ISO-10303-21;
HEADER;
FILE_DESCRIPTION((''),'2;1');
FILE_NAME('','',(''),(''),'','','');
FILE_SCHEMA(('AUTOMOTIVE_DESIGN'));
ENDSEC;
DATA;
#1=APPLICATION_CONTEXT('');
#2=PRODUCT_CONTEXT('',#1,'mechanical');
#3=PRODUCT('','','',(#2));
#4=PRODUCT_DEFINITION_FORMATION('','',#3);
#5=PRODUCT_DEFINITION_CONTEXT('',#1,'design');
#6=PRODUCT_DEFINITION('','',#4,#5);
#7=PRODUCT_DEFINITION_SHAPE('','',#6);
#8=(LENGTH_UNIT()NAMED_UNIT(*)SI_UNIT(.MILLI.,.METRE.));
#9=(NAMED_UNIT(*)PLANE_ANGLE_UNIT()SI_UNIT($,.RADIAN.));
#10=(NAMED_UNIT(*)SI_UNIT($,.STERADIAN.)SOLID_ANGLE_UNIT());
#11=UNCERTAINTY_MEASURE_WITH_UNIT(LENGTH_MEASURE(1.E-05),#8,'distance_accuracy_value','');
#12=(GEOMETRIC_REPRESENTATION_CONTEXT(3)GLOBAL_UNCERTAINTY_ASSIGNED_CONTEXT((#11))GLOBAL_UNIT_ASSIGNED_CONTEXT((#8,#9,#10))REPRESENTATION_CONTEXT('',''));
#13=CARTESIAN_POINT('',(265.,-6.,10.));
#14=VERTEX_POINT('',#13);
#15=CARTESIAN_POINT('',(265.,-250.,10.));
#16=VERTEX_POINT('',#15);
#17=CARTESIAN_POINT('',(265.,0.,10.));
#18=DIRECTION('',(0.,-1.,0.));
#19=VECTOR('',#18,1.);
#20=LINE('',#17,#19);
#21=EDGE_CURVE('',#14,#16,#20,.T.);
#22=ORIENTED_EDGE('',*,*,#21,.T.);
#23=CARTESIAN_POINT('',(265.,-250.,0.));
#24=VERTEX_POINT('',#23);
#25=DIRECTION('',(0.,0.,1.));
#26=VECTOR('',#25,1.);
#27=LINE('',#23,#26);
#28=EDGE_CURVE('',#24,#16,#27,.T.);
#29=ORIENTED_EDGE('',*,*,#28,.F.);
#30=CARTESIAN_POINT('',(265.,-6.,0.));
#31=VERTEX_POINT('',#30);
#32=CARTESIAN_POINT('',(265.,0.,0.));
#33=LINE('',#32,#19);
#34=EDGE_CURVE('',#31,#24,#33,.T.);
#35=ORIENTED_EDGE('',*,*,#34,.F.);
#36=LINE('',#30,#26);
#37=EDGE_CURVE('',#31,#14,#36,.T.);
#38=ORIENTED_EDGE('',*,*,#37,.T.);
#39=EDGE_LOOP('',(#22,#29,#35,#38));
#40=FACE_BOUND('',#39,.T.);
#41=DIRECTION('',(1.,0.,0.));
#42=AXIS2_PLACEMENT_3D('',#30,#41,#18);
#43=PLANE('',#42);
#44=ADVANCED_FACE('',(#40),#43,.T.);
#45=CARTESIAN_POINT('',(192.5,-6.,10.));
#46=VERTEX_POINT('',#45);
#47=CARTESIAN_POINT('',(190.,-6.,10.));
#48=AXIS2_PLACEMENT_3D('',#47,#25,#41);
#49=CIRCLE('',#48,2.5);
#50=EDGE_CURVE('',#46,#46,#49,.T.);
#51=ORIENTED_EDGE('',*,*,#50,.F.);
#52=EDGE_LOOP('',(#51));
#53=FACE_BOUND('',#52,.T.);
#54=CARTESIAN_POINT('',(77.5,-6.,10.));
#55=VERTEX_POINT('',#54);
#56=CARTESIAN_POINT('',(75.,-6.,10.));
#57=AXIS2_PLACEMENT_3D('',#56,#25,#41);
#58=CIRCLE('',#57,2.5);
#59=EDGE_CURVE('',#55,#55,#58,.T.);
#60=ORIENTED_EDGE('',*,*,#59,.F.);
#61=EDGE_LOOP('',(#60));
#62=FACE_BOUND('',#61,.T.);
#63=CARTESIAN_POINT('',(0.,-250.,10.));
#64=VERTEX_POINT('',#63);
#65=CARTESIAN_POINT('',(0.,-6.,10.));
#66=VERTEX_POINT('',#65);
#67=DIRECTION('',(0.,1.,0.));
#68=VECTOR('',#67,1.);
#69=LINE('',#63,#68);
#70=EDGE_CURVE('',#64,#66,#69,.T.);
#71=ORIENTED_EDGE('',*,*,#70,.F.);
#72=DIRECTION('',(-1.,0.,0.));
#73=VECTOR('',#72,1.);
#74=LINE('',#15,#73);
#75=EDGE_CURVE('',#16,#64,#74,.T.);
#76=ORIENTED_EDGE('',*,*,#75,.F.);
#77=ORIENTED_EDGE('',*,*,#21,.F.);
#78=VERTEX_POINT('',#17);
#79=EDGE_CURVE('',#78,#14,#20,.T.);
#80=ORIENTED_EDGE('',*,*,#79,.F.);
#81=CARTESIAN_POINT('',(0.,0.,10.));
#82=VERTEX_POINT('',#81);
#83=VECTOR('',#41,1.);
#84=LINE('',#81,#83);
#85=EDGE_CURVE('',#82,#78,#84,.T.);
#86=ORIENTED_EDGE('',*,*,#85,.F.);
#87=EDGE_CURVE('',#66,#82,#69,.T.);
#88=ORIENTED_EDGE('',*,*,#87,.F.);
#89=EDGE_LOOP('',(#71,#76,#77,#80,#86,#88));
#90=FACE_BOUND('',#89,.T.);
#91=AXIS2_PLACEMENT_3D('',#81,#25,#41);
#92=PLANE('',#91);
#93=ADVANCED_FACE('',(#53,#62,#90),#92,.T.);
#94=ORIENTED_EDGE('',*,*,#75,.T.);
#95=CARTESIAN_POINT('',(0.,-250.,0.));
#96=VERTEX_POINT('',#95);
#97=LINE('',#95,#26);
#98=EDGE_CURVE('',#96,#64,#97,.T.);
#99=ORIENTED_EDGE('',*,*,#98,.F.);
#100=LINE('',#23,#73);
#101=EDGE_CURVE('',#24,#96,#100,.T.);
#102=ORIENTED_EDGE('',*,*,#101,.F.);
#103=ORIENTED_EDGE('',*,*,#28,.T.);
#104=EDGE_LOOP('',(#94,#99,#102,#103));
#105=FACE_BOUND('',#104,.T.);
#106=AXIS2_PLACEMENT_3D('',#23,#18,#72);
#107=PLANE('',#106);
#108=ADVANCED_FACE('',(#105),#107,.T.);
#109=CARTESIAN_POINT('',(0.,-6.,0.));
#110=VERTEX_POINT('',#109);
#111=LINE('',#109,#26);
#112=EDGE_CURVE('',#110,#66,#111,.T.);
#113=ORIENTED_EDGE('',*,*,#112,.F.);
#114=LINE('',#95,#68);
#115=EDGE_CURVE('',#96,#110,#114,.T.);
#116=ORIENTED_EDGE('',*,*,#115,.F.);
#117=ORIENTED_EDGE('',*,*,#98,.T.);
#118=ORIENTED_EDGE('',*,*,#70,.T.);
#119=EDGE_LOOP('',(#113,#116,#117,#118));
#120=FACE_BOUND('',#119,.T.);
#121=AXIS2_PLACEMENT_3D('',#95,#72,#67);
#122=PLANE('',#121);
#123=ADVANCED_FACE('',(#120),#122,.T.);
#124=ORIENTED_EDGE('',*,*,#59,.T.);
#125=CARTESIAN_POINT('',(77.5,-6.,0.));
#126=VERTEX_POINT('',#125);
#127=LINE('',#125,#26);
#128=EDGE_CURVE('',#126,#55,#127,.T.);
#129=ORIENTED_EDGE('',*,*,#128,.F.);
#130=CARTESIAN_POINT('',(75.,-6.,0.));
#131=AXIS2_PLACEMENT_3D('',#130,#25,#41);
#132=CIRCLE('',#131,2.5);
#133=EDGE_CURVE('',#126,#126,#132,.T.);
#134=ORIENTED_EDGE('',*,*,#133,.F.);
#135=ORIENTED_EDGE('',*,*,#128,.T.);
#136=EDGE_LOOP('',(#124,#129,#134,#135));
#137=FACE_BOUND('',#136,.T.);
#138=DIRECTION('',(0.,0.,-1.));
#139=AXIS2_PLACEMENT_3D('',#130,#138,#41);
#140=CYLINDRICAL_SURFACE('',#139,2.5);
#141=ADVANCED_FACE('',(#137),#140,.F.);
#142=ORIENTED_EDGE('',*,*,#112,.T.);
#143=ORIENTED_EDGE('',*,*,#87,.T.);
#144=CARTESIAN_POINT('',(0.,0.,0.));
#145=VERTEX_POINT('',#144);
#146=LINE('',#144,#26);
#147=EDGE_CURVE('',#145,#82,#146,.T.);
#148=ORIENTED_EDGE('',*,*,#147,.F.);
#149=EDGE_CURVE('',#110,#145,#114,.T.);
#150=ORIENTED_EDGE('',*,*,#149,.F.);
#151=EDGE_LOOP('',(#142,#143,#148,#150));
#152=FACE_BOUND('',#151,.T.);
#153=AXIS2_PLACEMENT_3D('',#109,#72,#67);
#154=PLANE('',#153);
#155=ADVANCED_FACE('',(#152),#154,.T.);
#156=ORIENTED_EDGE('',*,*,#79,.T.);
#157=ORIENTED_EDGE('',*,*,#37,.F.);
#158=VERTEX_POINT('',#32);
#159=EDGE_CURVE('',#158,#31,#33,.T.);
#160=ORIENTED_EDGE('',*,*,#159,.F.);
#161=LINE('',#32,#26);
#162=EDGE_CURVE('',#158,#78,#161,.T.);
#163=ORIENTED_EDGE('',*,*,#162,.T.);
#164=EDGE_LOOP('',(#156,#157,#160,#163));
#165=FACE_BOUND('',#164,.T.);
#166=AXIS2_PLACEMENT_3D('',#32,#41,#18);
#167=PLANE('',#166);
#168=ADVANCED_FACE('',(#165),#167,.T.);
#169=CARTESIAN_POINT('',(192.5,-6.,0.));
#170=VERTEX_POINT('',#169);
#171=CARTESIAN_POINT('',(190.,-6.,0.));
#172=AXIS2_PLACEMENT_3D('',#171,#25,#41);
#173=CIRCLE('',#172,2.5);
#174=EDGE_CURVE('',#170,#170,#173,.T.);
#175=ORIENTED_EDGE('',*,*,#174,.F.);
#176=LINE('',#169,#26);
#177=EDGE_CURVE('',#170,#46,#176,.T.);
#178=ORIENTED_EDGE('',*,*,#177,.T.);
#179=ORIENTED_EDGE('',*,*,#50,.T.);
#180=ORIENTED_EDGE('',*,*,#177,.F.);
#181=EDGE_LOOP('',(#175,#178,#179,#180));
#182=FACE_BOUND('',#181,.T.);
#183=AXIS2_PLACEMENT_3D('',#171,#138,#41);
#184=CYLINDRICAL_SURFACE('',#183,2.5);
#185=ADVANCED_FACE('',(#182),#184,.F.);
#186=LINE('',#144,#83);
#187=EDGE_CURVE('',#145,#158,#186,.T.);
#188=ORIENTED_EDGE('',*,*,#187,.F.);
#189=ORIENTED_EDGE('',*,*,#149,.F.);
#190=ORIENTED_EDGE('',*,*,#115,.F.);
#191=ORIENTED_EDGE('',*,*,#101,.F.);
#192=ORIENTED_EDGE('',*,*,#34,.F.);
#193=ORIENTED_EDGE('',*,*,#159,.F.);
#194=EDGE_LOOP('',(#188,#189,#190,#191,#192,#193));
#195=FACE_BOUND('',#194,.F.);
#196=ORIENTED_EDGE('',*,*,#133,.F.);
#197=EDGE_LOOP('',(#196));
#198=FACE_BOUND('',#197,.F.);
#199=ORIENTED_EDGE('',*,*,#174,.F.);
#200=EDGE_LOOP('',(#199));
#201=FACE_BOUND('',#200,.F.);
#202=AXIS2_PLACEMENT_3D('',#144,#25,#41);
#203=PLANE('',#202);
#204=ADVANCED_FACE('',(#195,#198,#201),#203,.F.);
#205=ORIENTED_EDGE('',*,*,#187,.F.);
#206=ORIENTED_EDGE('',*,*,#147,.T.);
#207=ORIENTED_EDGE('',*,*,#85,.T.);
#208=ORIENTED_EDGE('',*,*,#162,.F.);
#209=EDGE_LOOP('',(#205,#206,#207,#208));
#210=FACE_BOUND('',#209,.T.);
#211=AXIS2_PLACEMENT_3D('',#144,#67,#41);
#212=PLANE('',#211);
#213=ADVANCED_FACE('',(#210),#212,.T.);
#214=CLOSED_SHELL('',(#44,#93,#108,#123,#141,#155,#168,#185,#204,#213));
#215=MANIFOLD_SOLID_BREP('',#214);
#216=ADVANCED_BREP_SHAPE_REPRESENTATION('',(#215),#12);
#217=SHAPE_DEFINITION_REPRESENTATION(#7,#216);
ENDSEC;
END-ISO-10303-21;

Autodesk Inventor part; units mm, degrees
ref_plane "YZ Plane" through (0, 0, 0) normal (1, 0, 0) x (0, 1, 0)
ref_plane "XZ Plane" through (0, 0, 0) normal (0, 1, 0) x (-1, 0, 0)
ref_plane "XY Plane" through (0, 0, 0) normal (0, 0, 1) x (1, 0, 0)
sketch "Sketch1" plane through (0, 0, 0) normal (0, 0, 1) x (1, 0, 0)
  line L0 (0, 0) -> (265, 0)
  line L1 (265, 0) -> (265, -250)
  line L2 (265, -250) -> (0, -250)
  line L3 (0, -250) -> (0, 0)
  line L4 (0, 0) -> (0, -6)
  circle A0 centre (75, -6) radius 2.5
  line L5 (265, 0) -> (265, -6)
  circle A1 centre (190, -6) radius 2.5
extrude "Extrusion1" add sketch "Sketch1" along normal blind 10
properties part number "new side wall"
